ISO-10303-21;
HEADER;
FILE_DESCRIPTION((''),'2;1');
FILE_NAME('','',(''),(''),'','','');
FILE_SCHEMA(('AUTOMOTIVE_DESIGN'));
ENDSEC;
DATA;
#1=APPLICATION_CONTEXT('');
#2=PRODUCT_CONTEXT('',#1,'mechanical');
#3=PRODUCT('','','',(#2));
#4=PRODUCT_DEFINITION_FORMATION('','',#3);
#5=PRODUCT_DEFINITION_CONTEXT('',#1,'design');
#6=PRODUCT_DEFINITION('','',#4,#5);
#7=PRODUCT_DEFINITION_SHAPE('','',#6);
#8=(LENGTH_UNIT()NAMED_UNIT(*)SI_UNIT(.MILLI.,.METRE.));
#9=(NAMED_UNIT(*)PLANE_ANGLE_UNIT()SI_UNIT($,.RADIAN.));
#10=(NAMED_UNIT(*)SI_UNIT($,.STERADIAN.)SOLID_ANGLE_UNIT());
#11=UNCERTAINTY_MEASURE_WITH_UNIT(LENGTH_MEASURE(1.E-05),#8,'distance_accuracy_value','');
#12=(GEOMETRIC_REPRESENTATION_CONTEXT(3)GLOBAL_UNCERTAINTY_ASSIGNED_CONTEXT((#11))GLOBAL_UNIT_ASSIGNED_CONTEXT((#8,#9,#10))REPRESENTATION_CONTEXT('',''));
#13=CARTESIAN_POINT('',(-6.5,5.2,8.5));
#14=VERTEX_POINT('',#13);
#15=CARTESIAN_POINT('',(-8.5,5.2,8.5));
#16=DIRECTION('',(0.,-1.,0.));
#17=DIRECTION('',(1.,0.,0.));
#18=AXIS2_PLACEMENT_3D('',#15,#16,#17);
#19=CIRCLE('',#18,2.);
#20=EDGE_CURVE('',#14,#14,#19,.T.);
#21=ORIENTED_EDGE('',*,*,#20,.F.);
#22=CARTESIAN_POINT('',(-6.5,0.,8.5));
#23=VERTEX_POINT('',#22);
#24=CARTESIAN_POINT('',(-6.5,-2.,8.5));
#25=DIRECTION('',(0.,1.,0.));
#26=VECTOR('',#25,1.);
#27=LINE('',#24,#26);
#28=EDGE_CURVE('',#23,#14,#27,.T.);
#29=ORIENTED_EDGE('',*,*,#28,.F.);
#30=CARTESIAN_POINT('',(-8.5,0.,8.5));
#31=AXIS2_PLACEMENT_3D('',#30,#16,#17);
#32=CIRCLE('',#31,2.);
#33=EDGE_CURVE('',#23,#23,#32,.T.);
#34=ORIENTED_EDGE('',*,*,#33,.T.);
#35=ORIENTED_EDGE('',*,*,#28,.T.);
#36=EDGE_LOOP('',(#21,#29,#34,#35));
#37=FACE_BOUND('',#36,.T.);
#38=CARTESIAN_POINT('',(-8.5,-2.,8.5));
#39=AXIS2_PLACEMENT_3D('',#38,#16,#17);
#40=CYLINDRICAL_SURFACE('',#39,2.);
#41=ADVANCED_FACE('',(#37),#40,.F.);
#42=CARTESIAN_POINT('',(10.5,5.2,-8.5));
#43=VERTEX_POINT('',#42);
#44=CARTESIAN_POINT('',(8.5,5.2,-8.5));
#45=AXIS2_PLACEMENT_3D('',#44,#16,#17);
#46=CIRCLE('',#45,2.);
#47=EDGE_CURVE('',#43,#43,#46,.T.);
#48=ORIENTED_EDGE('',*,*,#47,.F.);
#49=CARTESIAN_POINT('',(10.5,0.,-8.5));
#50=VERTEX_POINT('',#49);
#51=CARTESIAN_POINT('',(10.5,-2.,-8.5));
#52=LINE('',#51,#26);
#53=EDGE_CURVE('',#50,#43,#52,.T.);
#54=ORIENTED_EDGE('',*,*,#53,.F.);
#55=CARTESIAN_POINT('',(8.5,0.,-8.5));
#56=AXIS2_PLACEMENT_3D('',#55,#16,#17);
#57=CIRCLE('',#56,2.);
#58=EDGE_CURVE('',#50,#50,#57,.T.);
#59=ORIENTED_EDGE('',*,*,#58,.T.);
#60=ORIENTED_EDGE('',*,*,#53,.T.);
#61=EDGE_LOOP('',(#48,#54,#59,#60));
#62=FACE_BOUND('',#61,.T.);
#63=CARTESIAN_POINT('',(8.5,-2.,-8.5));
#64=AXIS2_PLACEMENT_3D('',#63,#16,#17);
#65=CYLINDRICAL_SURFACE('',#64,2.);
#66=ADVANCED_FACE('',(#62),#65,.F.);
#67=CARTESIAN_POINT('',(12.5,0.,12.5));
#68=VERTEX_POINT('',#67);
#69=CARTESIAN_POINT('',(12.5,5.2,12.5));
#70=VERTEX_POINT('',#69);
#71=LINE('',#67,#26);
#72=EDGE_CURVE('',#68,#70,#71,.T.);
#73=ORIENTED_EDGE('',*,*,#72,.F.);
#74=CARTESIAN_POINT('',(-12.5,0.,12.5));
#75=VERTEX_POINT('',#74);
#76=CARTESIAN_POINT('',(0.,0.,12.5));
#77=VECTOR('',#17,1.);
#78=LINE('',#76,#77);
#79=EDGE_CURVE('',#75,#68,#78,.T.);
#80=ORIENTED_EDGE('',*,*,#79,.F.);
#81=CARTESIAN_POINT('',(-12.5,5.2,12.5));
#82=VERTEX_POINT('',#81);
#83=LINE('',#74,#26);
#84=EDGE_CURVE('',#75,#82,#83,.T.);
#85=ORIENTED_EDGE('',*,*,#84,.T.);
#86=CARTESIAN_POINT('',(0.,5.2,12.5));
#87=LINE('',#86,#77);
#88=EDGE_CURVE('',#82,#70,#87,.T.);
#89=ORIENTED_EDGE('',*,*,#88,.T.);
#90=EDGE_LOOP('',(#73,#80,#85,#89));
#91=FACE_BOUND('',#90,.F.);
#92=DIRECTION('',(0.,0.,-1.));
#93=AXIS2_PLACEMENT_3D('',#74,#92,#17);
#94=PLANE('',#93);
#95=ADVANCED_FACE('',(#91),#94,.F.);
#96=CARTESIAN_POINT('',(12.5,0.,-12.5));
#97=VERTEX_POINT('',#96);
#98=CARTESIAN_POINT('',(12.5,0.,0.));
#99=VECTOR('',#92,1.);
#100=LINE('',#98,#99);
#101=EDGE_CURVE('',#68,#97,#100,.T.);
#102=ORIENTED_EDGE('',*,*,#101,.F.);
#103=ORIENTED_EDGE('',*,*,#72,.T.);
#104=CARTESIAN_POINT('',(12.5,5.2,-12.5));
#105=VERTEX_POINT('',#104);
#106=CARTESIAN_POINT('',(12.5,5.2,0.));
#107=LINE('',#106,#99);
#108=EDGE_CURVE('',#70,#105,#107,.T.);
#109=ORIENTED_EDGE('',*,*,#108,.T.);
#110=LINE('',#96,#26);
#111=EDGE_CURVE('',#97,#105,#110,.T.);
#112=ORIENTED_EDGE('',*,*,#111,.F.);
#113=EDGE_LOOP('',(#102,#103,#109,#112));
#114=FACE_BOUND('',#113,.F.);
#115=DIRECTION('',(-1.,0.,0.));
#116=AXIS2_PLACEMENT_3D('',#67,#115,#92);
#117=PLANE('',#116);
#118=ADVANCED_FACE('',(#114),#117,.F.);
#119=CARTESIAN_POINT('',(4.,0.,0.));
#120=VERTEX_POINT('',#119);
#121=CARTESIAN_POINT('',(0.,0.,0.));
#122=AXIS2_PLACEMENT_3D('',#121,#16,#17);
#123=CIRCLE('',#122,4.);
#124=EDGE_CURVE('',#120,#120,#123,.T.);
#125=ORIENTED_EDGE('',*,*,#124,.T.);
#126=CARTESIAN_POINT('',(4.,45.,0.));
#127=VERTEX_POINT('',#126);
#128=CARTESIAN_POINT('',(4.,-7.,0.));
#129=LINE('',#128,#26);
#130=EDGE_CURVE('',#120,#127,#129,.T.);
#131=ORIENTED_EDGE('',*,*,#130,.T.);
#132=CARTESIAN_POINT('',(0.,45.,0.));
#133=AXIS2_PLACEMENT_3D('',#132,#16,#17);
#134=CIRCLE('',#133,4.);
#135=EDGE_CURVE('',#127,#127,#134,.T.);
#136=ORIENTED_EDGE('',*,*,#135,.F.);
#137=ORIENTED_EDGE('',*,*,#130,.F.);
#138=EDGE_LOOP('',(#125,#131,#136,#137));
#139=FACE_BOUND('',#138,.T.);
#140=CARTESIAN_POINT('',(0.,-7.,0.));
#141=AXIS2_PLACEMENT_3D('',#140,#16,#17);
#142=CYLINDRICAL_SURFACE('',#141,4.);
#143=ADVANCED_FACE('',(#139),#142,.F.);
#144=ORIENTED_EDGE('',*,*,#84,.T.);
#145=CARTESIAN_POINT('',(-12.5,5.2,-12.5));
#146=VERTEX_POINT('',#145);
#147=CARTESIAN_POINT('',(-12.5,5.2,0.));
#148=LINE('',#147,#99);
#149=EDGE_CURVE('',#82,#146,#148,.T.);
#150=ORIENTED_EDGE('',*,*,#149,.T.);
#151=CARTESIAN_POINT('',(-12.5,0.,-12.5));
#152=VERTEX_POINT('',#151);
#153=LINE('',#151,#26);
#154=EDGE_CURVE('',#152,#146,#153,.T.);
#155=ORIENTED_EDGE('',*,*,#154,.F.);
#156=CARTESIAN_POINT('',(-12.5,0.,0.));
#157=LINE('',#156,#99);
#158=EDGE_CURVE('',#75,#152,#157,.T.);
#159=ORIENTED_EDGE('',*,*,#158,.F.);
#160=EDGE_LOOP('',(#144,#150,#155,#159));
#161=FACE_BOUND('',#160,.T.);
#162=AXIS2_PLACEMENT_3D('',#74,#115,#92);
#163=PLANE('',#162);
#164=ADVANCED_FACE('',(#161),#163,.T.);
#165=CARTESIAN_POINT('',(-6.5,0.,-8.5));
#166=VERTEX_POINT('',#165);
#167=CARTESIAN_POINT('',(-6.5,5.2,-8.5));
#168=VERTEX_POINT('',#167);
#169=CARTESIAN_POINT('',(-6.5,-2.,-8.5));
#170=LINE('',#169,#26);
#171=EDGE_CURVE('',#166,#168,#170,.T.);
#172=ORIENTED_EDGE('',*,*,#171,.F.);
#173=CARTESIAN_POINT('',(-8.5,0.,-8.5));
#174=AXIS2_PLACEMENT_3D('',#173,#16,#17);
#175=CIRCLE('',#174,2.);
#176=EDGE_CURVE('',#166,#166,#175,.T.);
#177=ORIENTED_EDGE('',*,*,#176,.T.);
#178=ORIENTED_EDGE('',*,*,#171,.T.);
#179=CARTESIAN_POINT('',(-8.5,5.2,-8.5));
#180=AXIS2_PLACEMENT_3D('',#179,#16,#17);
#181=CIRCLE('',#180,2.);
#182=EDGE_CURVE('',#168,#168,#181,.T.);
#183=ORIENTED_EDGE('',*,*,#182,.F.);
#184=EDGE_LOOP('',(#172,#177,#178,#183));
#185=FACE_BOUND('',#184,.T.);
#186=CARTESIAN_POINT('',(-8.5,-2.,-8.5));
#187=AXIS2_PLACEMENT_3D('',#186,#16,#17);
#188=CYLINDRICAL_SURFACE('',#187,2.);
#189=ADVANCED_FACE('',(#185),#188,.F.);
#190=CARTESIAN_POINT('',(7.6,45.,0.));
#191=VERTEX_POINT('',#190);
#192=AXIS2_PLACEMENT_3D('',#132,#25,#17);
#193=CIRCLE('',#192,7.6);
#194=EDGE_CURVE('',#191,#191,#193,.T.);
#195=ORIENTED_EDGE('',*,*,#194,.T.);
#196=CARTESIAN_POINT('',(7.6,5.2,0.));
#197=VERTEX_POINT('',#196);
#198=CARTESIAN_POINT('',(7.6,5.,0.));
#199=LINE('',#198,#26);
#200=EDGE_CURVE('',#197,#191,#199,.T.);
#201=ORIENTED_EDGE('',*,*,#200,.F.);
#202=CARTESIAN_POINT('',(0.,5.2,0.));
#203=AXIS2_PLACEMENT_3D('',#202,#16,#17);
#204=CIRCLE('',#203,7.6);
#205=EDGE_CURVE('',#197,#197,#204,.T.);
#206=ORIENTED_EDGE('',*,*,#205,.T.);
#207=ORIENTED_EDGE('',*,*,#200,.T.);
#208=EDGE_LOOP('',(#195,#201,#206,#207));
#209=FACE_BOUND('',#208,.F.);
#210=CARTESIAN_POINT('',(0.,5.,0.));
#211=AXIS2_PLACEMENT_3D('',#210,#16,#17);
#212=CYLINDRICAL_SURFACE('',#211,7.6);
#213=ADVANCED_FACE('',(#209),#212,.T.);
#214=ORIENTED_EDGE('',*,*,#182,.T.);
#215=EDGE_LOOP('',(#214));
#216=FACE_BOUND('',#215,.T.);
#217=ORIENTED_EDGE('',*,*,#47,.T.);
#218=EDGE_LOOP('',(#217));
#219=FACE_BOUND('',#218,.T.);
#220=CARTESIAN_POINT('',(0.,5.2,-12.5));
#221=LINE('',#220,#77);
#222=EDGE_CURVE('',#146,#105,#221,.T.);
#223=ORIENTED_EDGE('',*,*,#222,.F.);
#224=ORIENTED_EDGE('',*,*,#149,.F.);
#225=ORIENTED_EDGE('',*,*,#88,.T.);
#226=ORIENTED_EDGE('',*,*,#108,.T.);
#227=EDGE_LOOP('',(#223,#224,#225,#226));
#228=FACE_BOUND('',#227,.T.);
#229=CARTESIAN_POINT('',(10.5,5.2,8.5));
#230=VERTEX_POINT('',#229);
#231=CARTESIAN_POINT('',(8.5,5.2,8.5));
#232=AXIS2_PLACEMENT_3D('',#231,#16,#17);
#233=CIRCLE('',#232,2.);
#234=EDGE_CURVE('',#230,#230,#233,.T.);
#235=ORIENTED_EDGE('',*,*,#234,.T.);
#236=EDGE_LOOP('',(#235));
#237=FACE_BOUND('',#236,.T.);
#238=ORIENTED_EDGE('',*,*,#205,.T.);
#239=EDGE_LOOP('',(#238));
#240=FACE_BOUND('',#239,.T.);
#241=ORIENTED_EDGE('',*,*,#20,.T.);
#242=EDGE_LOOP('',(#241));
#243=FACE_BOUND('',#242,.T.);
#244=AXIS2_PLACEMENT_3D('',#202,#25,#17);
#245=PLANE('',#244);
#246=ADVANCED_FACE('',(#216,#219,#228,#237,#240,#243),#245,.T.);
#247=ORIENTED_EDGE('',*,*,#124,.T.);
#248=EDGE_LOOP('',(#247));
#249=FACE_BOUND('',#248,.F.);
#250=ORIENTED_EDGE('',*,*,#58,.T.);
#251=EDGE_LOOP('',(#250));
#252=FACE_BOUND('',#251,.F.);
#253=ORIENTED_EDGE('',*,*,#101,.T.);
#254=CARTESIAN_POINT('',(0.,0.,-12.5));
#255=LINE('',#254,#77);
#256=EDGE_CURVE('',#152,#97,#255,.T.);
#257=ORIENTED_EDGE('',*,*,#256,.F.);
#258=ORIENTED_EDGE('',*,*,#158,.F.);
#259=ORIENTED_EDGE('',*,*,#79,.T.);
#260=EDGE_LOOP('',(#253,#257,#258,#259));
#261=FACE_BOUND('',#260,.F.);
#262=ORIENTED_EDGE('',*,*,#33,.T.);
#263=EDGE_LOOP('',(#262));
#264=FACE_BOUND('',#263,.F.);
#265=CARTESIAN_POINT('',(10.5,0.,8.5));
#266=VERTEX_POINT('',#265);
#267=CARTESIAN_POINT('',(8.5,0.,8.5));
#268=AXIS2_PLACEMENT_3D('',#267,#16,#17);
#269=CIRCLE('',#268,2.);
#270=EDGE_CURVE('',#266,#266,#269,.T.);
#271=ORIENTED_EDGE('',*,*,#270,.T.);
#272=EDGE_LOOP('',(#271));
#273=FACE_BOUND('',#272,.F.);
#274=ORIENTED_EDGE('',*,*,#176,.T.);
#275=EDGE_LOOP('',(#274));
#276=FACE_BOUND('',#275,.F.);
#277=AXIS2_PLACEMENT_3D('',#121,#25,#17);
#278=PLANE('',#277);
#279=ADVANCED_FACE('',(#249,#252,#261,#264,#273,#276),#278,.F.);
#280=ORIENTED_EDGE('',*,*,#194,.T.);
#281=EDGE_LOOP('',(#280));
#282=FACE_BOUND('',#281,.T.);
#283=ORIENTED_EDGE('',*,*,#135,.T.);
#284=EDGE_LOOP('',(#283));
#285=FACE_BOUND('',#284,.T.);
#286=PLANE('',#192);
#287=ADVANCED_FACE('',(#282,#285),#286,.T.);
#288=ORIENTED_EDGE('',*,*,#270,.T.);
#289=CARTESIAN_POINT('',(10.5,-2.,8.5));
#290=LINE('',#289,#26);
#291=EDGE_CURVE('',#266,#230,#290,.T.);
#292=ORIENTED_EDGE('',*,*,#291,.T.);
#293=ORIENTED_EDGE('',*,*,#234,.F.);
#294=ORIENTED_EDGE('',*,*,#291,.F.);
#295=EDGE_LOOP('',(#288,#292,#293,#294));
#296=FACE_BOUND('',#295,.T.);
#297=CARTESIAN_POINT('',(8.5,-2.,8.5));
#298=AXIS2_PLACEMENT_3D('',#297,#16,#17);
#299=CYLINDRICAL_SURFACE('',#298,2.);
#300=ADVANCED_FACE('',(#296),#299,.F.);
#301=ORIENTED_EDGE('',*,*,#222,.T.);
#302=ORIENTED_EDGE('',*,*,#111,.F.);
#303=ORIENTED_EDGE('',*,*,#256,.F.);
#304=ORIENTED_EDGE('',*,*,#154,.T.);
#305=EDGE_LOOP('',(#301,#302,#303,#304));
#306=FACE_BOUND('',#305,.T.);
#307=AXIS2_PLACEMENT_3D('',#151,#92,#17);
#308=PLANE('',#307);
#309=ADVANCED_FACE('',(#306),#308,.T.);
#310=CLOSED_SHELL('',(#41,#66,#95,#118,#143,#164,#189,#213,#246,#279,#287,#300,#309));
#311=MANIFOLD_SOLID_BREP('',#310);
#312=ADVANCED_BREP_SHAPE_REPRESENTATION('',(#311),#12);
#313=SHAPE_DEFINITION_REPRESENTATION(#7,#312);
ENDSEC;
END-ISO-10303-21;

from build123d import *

# Parameters (mm, degrees)
CYLINDER080_R          = 2
CYLINDER080_DEPTH      = 10
CYLINDER081_R          = 2
CYLINDER081_DEPTH      = 10
CYLINDER079_R          = 2
CYLINDER079_DEPTH      = 10
CYLINDER078_R          = 2
CYLINDER078_DEPTH      = 10
CYLINDER077_R          = 4
CYLINDER077_DEPTH      = 60
CYLINDER082_R          = 7.6
CYLINDER082_DEPTH      = 40
BOX027_W               = 25
BOX027_H               = 25
BOX027_DEPTH           = 5.2
CUT062_PLACEMENT_ANGLE = 90


with BuildPart() as cylinder080:
    # Cylinder080 → Cylinder080 (new body)
    with BuildSketch(Plane(origin=(21, 21, -2), x_dir=(1, 0, 0), z_dir=(0, 0, 1))):
        Circle(CYLINDER080_R)
    extrude(amount=CYLINDER080_DEPTH)


with BuildPart() as cylinder081:
    # Cylinder081 → Cylinder081 (new body)
    with BuildSketch(Plane(origin=(21, 4, -2), x_dir=(1, 0, 0), z_dir=(0, 0, 1))):
        Circle(CYLINDER081_R)
    extrude(amount=CYLINDER081_DEPTH)


with BuildPart() as cylinder079:
    # Cylinder079 → Cylinder079 (new body)
    with BuildSketch(Plane(origin=(4, 21, -2), x_dir=(1, 0, 0), z_dir=(0, 0, 1))):
        Circle(CYLINDER079_R)
    extrude(amount=CYLINDER079_DEPTH)


with BuildPart() as cylinder078:
    # Cylinder078 → Cylinder078 (new body)
    with BuildSketch(Plane(origin=(4, 4, -2), x_dir=(1, 0, 0), z_dir=(0, 0, 1))):
        Circle(CYLINDER078_R)
    extrude(amount=CYLINDER078_DEPTH)


with BuildPart() as cylinder077:
    # Cylinder077 → Cylinder077 (new body)
    with BuildSketch(Plane(origin=(12.5, 12.5, -7), x_dir=(1, 0, 0), z_dir=(0, 0, 1))):
        Circle(CYLINDER077_R)
    extrude(amount=CYLINDER077_DEPTH)


with BuildPart() as cylinder082:
    # Cylinder082 → Cylinder082 (new body)
    with BuildSketch(Plane(origin=(12.5, 12.5, 5), x_dir=(1, 0, 0), z_dir=(0, 0, 1))):
        Circle(CYLINDER082_R)
    extrude(amount=CYLINDER082_DEPTH)


with BuildPart() as cut062:
    # Box027 → Box027 (new body)
    with BuildSketch(Plane.XY):
        with Locations((12.5, 12.5)):
            Rectangle(BOX027_W, BOX027_H)
    extrude(amount=BOX027_DEPTH)

    # Fusion034: union Cylinder082
    add(cylinder082.part)

    # Cut060: cut Cylinder077
    add(cylinder077.part, mode=Mode.SUBTRACT)

    # Cut061: cut Cylinder078
    add(cylinder078.part, mode=Mode.SUBTRACT)

    # Cut058: cut Cylinder079
    add(cylinder079.part, mode=Mode.SUBTRACT)

    # Cut059: cut Cylinder081
    add(cylinder081.part, mode=Mode.SUBTRACT)

    # Cut062: cut Cylinder080
    add(cylinder080.part, mode=Mode.SUBTRACT)


with BuildPart() as cut062_1:
    # Cut062 placement: moved
    add(cut062.part.moved(Location((-12.5, 0, 12.5))).rotate(Axis((-12.5, 0, 12.5), (-1, 0, 0)), CUT062_PLACEMENT_ANGLE))


solid = cut062_1.part
